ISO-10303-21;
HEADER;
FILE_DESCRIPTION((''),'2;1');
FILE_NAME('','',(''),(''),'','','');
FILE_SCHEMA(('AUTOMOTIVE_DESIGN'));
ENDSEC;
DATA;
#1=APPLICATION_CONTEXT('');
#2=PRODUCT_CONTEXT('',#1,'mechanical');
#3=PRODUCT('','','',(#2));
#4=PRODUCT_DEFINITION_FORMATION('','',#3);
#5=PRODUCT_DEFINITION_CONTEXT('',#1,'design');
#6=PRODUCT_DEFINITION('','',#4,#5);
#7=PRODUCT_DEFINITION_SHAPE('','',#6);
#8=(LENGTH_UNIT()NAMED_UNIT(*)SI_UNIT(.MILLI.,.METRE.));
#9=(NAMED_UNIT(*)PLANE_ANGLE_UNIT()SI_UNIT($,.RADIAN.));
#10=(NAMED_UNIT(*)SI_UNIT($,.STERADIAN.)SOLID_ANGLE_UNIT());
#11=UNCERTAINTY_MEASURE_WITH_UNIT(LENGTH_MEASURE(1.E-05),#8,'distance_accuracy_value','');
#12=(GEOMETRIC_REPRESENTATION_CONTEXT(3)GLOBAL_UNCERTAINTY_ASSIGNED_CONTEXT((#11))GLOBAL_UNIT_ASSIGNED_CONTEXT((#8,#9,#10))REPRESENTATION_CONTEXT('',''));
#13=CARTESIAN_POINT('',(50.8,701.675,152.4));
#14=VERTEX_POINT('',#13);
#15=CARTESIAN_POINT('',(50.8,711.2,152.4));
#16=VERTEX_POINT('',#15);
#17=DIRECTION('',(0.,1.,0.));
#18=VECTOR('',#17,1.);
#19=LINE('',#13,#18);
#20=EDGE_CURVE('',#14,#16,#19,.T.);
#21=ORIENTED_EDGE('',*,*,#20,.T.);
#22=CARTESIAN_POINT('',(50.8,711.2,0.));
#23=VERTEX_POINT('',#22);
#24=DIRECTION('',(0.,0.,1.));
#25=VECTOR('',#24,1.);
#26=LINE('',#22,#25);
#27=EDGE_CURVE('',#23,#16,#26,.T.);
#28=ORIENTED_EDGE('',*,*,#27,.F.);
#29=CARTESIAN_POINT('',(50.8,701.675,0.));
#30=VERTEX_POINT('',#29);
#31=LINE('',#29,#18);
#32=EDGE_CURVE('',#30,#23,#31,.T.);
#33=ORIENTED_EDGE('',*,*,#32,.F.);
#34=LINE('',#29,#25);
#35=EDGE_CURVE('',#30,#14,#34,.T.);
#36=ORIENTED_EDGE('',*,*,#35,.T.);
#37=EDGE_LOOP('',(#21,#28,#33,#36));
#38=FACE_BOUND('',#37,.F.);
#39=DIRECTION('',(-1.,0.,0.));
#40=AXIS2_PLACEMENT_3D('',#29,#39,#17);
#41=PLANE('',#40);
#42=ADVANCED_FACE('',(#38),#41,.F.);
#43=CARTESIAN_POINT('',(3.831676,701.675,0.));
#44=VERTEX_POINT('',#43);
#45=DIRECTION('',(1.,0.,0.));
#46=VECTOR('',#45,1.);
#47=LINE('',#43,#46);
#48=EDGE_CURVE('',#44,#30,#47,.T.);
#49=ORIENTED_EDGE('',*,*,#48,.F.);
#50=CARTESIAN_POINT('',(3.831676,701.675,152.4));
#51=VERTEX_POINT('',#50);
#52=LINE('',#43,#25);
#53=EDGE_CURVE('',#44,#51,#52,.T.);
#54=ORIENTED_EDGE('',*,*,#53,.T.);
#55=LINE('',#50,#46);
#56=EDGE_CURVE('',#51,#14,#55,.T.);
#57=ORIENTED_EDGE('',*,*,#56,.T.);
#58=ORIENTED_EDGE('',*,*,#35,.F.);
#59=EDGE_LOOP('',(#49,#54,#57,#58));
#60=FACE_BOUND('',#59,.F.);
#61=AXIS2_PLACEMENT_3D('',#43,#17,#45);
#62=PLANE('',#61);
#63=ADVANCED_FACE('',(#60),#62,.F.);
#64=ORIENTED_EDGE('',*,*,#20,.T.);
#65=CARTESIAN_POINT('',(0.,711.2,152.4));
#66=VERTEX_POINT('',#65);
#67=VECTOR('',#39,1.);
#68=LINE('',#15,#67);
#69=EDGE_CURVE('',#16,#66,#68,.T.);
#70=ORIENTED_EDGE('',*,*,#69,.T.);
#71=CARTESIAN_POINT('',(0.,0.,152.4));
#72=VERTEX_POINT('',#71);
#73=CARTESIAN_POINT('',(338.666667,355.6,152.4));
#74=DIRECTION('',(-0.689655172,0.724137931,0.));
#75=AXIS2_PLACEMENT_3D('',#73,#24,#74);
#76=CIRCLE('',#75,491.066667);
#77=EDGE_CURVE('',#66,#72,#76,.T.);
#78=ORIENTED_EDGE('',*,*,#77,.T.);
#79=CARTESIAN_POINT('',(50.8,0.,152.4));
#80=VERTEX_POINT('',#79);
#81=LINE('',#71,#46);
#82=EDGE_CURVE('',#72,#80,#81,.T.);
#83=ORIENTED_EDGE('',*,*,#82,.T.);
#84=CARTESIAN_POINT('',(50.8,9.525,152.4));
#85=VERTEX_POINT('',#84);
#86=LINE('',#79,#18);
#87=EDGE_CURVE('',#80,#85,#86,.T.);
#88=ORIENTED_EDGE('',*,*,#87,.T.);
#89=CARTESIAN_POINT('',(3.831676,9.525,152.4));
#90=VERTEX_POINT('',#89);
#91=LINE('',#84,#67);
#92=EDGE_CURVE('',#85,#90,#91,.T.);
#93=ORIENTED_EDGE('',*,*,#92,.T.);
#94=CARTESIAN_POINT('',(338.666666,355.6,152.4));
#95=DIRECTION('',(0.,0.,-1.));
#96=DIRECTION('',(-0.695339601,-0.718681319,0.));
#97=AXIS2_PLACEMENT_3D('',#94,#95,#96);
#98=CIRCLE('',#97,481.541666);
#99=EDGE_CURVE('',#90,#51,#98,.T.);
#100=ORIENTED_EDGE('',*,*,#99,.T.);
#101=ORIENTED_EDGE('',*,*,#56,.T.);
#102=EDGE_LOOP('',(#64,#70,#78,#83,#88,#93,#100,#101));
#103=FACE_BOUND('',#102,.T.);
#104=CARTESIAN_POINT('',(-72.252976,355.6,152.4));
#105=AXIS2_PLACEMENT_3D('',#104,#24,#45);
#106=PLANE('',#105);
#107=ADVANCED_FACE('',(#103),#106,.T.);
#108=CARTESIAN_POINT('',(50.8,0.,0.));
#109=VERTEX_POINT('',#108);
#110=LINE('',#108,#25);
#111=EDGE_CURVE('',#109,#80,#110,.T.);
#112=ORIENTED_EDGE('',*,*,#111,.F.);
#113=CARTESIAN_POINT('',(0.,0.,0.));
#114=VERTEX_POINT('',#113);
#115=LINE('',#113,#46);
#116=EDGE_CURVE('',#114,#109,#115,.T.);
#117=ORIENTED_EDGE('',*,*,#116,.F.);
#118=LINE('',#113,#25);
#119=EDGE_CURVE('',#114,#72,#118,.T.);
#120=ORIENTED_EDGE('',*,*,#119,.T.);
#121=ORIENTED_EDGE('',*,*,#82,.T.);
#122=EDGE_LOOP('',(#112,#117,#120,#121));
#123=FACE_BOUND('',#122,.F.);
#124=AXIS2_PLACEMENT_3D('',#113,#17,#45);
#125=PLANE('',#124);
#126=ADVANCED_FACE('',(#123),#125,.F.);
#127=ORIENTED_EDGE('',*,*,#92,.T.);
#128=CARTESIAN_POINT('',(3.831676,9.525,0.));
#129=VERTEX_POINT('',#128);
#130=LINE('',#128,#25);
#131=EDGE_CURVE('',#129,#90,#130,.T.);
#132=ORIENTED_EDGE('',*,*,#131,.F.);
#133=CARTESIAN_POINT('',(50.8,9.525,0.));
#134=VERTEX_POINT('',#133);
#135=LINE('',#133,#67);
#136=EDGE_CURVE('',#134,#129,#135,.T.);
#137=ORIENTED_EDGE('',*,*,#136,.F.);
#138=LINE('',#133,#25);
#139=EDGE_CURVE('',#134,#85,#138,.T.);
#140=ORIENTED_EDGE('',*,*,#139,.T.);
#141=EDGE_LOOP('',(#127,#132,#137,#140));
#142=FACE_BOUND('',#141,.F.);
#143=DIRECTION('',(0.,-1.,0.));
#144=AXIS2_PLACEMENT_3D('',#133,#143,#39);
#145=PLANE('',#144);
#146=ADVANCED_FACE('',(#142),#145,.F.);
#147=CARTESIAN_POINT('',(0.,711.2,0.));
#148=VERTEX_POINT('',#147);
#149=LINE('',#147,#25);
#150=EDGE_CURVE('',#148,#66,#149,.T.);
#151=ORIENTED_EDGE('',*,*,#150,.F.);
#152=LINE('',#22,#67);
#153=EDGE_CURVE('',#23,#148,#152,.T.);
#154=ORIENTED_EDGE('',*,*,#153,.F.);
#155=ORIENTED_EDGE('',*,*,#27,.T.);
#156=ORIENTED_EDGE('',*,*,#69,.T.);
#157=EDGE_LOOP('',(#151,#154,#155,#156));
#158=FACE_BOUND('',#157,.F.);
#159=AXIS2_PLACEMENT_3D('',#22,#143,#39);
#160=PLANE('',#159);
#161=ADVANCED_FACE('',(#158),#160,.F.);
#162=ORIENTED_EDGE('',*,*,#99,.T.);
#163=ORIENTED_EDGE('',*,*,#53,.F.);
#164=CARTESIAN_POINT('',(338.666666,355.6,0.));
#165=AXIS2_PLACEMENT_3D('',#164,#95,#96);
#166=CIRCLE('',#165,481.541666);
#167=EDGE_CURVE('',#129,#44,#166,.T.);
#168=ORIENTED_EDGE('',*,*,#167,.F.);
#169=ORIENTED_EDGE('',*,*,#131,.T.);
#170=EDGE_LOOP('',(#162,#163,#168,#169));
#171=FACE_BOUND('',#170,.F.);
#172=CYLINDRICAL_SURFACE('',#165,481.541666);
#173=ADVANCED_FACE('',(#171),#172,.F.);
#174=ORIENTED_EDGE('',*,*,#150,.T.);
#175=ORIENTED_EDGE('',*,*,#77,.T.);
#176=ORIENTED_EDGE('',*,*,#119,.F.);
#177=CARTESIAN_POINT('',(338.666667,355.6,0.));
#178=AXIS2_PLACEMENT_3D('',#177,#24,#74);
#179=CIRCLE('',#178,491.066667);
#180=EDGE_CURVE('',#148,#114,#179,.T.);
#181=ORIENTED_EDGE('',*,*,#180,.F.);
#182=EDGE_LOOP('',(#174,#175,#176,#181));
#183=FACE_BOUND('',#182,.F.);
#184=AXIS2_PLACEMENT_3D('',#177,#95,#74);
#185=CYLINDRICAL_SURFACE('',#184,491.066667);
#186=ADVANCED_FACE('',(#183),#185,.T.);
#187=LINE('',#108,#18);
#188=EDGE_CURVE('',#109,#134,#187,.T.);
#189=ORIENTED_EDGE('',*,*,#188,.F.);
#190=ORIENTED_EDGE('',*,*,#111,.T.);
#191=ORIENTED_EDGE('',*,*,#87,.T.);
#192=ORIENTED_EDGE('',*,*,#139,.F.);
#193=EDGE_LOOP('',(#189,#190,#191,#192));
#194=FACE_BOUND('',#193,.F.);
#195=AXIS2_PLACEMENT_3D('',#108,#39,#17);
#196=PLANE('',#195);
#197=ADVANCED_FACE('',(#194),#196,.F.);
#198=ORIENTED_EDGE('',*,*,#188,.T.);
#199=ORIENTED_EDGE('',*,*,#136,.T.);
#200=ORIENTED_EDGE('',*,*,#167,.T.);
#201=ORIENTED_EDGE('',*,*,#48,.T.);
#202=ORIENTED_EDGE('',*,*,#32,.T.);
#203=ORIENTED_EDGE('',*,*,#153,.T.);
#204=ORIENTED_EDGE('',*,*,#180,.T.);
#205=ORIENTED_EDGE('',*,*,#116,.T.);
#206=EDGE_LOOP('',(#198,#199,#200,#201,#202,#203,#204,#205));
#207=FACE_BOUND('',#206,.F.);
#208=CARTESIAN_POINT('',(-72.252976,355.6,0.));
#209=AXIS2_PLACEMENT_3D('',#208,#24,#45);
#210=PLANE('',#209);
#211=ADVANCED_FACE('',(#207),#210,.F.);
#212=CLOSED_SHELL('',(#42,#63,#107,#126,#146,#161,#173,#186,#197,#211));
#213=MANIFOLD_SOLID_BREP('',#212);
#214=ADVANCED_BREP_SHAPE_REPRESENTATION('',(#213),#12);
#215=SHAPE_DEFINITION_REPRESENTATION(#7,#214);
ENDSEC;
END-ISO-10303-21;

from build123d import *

# Parameters (mm, degrees)
F1_DEPTH = 152.4


with BuildPart() as f1:
    # F0 (on Top) → F1 (new body)
    with BuildSketch(Plane.XY):
        with BuildLine():
            Line((50.8, 711.2), (0, 711.2))
            ThreePointArc((0, 711.2), (-152.4, 355.6), (0, 0))
            Line((0, 0), (50.8, 0))
            Line((50.8, 0), (50.8, 9.525))
            Line((50.8, 9.525), (3.831676, 9.525))
            ThreePointArc((3.831676, 9.525), (-142.875, 355.6), (3.831676, 701.675))
            Line((3.831676, 701.675), (50.8, 701.675))
            Line((50.8, 701.675), (50.8, 711.2))
        make_face()
    extrude(amount=F1_DEPTH)


solid = f1.part
